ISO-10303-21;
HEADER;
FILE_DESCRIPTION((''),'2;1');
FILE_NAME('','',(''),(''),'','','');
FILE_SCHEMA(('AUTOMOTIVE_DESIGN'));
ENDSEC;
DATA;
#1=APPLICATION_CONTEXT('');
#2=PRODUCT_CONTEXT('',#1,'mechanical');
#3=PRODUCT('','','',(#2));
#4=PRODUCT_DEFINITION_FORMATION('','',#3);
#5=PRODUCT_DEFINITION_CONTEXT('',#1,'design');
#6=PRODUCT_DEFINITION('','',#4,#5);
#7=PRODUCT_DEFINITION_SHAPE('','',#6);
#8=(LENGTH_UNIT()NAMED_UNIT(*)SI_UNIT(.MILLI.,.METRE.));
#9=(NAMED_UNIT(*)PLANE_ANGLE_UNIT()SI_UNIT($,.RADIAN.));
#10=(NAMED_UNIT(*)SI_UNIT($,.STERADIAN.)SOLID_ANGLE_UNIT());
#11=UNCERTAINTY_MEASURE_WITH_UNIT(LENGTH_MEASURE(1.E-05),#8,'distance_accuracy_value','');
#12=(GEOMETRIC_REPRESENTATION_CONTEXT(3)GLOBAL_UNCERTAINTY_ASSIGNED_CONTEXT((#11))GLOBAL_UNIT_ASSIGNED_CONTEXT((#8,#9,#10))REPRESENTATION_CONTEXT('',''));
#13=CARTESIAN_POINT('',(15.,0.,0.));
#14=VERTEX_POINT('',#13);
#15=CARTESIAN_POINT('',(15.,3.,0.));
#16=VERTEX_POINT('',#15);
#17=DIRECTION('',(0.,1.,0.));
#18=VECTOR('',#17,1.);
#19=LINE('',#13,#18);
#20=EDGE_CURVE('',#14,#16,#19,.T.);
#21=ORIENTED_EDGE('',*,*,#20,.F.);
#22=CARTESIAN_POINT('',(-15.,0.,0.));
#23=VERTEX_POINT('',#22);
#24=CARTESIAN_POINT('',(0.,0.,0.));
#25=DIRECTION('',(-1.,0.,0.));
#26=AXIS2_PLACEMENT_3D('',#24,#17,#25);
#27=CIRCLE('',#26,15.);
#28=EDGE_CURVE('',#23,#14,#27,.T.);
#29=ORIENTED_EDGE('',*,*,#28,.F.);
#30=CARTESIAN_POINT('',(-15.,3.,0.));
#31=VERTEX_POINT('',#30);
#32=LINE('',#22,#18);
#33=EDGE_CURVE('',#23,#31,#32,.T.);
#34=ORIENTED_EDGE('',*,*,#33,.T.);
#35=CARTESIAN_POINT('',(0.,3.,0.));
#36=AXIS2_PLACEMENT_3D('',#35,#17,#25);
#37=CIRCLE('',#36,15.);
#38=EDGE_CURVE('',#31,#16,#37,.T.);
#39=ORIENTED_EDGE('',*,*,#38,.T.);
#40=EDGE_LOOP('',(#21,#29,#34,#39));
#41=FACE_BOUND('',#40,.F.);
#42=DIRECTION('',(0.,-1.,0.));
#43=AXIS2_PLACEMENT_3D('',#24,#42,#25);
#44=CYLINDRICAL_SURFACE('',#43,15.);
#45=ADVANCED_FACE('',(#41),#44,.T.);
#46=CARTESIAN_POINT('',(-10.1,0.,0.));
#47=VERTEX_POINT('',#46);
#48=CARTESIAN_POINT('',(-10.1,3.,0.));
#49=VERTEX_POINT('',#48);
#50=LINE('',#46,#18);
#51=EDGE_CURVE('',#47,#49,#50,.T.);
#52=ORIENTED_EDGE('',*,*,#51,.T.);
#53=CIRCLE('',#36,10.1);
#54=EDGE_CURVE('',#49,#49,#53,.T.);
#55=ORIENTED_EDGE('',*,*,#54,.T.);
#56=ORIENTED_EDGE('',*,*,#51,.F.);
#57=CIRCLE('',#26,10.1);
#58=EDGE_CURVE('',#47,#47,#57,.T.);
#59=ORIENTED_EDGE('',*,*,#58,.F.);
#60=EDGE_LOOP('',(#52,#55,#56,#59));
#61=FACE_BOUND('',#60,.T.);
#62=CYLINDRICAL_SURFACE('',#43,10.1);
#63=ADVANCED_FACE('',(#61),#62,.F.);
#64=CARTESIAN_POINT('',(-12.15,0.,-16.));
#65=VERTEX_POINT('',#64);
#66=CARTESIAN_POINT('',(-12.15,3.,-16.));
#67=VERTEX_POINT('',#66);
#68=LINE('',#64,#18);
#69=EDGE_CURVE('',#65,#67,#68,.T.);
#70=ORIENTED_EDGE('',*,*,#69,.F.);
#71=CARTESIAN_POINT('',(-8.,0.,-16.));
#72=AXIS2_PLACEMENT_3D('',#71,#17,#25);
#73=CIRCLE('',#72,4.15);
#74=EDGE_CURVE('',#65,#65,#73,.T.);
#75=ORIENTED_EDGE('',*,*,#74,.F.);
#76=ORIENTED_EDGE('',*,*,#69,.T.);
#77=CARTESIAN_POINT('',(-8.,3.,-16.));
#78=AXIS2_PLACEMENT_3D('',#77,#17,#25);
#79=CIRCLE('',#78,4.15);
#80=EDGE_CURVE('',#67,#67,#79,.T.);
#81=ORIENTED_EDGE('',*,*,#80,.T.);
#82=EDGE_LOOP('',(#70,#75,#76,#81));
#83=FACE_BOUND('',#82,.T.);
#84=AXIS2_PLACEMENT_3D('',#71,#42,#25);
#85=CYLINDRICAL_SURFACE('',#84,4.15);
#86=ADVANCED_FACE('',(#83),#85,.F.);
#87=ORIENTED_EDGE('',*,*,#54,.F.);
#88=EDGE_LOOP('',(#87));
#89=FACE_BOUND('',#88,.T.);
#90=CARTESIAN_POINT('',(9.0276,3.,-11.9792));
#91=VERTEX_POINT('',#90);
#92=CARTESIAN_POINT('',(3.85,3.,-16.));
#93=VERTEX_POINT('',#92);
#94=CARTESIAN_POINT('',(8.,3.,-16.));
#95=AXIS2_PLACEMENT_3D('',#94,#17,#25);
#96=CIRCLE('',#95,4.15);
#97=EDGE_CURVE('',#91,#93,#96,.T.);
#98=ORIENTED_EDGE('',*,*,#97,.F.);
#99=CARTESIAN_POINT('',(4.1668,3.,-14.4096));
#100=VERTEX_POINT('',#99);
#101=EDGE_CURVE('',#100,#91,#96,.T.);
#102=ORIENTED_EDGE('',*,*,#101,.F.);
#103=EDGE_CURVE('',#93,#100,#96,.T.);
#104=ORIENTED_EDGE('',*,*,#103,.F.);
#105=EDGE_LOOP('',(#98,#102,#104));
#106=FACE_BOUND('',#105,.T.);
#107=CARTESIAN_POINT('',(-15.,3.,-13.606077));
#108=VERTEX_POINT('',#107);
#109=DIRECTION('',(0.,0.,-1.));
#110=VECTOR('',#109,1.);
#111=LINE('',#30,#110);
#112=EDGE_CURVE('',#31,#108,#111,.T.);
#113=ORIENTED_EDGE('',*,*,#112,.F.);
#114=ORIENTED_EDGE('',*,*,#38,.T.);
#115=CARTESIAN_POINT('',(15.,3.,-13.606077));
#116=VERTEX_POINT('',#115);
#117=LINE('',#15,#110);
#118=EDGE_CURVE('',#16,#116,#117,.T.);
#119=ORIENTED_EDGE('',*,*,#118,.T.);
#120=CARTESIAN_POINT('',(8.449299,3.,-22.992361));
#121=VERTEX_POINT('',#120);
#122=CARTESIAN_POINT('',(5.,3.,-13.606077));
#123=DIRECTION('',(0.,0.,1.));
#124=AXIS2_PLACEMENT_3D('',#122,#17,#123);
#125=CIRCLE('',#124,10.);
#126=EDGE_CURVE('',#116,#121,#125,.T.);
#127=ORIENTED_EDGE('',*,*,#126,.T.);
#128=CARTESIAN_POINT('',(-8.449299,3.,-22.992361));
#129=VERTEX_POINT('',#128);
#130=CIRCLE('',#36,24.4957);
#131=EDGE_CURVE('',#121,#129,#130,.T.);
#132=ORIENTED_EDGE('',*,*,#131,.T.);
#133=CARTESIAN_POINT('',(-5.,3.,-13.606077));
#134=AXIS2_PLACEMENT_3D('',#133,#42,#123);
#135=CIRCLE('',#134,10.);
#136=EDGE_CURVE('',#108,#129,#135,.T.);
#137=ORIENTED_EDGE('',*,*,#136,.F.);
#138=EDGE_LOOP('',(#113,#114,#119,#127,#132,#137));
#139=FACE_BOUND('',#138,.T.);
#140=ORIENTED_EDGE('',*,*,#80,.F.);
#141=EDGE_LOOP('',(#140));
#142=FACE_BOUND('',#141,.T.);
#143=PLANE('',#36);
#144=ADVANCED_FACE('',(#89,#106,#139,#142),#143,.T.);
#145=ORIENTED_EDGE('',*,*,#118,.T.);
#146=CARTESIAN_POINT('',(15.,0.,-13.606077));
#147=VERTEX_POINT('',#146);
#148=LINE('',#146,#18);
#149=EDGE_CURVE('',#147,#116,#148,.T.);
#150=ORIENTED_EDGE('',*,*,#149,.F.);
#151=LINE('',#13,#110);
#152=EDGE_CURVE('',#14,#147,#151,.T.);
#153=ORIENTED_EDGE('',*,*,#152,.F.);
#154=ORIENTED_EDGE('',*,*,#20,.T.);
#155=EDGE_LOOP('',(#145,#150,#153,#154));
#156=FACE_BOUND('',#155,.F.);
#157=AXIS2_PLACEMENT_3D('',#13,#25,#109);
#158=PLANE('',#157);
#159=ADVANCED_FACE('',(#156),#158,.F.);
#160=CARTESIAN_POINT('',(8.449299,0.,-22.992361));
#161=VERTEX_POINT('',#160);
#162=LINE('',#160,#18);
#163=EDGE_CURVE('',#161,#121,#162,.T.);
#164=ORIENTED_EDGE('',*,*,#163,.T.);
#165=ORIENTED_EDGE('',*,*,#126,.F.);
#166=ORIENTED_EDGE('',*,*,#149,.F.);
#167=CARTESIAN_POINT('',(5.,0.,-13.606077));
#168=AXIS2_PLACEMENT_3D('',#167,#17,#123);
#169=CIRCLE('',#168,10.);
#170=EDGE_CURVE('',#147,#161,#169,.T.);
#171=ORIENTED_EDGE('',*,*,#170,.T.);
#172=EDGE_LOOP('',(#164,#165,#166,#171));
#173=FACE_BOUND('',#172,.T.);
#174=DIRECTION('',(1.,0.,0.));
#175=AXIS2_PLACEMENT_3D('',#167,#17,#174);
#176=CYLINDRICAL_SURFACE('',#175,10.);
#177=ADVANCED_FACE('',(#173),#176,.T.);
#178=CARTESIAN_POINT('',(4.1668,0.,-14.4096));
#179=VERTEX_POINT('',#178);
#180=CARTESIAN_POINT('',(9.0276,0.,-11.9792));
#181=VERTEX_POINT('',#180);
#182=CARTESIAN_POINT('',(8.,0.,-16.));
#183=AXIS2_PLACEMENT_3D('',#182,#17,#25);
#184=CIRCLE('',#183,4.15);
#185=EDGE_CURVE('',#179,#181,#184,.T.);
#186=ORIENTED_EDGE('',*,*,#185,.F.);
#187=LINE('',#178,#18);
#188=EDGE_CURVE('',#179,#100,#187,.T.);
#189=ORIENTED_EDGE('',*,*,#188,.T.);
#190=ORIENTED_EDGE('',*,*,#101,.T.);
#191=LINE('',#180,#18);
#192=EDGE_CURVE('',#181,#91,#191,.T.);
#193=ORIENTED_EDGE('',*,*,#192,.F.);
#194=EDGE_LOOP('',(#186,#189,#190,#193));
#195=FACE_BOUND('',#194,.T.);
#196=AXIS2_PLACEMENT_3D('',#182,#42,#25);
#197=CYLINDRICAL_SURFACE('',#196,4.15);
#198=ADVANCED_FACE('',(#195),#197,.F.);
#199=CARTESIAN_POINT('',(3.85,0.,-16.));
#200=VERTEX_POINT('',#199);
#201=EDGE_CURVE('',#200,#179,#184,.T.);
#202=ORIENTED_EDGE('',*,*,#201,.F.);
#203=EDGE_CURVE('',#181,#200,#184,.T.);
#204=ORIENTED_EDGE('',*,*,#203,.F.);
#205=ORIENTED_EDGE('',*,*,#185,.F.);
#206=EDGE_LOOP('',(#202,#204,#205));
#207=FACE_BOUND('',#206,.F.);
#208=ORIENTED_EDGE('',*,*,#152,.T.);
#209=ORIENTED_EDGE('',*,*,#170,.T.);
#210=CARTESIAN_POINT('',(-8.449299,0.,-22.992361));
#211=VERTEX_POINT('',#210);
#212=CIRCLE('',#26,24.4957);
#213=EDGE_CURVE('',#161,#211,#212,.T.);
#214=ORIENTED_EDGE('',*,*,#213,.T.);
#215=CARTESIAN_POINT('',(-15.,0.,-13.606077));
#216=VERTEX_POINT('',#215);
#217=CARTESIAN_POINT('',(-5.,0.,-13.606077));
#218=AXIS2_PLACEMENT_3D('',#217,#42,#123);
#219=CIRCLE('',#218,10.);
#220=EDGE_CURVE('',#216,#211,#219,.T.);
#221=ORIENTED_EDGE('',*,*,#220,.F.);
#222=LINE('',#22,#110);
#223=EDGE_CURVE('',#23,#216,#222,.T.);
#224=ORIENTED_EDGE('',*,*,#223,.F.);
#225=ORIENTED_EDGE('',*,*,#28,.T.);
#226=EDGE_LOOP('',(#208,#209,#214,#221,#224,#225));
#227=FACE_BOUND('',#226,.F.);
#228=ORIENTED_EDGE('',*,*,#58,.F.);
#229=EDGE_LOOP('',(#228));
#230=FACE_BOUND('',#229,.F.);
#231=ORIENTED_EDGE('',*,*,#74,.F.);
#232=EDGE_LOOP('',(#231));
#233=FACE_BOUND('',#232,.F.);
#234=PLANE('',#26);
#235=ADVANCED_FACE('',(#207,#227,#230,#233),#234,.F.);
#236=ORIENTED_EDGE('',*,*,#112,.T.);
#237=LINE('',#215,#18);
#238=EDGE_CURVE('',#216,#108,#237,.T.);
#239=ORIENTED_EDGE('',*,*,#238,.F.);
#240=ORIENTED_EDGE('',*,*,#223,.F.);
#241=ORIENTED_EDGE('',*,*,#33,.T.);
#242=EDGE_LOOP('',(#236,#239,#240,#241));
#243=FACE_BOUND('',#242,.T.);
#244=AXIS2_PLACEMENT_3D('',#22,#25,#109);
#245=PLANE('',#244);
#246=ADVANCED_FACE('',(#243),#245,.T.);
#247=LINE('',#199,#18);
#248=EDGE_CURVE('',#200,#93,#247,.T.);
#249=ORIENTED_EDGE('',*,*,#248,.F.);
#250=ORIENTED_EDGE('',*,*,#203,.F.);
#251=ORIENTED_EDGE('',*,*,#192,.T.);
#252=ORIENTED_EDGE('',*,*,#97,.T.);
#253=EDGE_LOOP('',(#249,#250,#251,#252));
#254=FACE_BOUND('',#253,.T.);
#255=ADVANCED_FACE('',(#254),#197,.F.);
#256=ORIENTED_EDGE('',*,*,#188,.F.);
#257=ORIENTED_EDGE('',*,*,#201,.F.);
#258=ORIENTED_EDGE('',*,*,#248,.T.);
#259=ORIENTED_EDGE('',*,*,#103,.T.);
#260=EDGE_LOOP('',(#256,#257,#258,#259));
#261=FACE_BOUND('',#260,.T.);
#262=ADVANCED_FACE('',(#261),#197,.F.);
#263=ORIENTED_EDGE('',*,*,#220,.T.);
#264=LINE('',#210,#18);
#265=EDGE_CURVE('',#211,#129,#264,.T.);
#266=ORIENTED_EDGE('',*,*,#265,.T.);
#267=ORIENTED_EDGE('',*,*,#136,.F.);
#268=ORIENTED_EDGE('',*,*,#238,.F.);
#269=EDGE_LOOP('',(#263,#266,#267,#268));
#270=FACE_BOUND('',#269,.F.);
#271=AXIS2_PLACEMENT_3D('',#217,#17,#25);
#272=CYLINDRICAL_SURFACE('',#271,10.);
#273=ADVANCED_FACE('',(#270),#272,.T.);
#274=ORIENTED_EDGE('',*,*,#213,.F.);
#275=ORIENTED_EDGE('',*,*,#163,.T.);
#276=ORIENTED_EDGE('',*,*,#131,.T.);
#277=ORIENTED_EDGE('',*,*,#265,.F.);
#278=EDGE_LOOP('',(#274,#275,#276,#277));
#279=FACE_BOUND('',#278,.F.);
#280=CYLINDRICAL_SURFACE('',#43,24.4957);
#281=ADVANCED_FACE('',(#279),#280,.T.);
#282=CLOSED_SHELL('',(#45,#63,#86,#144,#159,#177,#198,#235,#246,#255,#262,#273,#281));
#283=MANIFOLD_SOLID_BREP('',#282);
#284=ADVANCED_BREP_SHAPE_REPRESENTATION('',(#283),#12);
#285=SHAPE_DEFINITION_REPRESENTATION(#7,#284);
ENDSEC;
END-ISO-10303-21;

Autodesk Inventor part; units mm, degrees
ref_plane "YZ Plane" through (0, 0, 0) normal (1, 0, 0) x (0, 1, 0)
ref_plane "XZ Plane" through (0, 0, 0) normal (0, 1, 0) x (-1, 0, 0)
ref_plane "XY Plane" through (0, 0, 0) normal (0, 0, 1) x (1, 0, 0)
sketch "Sketch1" plane through (0, 0, 0) normal (0, 1, 0) x (-1, 0, 0)
  circle A0 centre (0, 0) radius 10.1
  circle A1 centre (8, -16) radius 4.15
  circle A2 centre (-8, -16) radius 4.15
  circle A3 centre (0, 0) radius 24.4957
  line L0 (15, 0) -> (15, -19.3659)
  line L1 (-15, 0) -> (-15, -19.3659)
  arc A4 (15, 0) -> (-15, 0) centre (0, 0) ccw
  arc A5 (-9.0276, -11.9792) -> (-4.1668, -14.4096) centre (0, 0) ccw
  dimension "d0" = 20.2
  dimension "d1" = 8.3
  dimension "d2" = 8.3
  dimension "d3" = 16
  dimension "d4" = 16
  dimension "d5" = 16
  dimension "d6" = 8
extrude "Extrusion1" add sketch "Sketch1" along normal blind 3 contours L1 A4 L0 A3 picked at (13.8916, -11.1458)
fillet "Fillet1" radius 10 2 edges at (15, 1.5, -19.3659) (-15, 1.5, -19.3659)
equation "\"d2\" = d1"
properties part number "Sujeción mangueras_3DPrint"
